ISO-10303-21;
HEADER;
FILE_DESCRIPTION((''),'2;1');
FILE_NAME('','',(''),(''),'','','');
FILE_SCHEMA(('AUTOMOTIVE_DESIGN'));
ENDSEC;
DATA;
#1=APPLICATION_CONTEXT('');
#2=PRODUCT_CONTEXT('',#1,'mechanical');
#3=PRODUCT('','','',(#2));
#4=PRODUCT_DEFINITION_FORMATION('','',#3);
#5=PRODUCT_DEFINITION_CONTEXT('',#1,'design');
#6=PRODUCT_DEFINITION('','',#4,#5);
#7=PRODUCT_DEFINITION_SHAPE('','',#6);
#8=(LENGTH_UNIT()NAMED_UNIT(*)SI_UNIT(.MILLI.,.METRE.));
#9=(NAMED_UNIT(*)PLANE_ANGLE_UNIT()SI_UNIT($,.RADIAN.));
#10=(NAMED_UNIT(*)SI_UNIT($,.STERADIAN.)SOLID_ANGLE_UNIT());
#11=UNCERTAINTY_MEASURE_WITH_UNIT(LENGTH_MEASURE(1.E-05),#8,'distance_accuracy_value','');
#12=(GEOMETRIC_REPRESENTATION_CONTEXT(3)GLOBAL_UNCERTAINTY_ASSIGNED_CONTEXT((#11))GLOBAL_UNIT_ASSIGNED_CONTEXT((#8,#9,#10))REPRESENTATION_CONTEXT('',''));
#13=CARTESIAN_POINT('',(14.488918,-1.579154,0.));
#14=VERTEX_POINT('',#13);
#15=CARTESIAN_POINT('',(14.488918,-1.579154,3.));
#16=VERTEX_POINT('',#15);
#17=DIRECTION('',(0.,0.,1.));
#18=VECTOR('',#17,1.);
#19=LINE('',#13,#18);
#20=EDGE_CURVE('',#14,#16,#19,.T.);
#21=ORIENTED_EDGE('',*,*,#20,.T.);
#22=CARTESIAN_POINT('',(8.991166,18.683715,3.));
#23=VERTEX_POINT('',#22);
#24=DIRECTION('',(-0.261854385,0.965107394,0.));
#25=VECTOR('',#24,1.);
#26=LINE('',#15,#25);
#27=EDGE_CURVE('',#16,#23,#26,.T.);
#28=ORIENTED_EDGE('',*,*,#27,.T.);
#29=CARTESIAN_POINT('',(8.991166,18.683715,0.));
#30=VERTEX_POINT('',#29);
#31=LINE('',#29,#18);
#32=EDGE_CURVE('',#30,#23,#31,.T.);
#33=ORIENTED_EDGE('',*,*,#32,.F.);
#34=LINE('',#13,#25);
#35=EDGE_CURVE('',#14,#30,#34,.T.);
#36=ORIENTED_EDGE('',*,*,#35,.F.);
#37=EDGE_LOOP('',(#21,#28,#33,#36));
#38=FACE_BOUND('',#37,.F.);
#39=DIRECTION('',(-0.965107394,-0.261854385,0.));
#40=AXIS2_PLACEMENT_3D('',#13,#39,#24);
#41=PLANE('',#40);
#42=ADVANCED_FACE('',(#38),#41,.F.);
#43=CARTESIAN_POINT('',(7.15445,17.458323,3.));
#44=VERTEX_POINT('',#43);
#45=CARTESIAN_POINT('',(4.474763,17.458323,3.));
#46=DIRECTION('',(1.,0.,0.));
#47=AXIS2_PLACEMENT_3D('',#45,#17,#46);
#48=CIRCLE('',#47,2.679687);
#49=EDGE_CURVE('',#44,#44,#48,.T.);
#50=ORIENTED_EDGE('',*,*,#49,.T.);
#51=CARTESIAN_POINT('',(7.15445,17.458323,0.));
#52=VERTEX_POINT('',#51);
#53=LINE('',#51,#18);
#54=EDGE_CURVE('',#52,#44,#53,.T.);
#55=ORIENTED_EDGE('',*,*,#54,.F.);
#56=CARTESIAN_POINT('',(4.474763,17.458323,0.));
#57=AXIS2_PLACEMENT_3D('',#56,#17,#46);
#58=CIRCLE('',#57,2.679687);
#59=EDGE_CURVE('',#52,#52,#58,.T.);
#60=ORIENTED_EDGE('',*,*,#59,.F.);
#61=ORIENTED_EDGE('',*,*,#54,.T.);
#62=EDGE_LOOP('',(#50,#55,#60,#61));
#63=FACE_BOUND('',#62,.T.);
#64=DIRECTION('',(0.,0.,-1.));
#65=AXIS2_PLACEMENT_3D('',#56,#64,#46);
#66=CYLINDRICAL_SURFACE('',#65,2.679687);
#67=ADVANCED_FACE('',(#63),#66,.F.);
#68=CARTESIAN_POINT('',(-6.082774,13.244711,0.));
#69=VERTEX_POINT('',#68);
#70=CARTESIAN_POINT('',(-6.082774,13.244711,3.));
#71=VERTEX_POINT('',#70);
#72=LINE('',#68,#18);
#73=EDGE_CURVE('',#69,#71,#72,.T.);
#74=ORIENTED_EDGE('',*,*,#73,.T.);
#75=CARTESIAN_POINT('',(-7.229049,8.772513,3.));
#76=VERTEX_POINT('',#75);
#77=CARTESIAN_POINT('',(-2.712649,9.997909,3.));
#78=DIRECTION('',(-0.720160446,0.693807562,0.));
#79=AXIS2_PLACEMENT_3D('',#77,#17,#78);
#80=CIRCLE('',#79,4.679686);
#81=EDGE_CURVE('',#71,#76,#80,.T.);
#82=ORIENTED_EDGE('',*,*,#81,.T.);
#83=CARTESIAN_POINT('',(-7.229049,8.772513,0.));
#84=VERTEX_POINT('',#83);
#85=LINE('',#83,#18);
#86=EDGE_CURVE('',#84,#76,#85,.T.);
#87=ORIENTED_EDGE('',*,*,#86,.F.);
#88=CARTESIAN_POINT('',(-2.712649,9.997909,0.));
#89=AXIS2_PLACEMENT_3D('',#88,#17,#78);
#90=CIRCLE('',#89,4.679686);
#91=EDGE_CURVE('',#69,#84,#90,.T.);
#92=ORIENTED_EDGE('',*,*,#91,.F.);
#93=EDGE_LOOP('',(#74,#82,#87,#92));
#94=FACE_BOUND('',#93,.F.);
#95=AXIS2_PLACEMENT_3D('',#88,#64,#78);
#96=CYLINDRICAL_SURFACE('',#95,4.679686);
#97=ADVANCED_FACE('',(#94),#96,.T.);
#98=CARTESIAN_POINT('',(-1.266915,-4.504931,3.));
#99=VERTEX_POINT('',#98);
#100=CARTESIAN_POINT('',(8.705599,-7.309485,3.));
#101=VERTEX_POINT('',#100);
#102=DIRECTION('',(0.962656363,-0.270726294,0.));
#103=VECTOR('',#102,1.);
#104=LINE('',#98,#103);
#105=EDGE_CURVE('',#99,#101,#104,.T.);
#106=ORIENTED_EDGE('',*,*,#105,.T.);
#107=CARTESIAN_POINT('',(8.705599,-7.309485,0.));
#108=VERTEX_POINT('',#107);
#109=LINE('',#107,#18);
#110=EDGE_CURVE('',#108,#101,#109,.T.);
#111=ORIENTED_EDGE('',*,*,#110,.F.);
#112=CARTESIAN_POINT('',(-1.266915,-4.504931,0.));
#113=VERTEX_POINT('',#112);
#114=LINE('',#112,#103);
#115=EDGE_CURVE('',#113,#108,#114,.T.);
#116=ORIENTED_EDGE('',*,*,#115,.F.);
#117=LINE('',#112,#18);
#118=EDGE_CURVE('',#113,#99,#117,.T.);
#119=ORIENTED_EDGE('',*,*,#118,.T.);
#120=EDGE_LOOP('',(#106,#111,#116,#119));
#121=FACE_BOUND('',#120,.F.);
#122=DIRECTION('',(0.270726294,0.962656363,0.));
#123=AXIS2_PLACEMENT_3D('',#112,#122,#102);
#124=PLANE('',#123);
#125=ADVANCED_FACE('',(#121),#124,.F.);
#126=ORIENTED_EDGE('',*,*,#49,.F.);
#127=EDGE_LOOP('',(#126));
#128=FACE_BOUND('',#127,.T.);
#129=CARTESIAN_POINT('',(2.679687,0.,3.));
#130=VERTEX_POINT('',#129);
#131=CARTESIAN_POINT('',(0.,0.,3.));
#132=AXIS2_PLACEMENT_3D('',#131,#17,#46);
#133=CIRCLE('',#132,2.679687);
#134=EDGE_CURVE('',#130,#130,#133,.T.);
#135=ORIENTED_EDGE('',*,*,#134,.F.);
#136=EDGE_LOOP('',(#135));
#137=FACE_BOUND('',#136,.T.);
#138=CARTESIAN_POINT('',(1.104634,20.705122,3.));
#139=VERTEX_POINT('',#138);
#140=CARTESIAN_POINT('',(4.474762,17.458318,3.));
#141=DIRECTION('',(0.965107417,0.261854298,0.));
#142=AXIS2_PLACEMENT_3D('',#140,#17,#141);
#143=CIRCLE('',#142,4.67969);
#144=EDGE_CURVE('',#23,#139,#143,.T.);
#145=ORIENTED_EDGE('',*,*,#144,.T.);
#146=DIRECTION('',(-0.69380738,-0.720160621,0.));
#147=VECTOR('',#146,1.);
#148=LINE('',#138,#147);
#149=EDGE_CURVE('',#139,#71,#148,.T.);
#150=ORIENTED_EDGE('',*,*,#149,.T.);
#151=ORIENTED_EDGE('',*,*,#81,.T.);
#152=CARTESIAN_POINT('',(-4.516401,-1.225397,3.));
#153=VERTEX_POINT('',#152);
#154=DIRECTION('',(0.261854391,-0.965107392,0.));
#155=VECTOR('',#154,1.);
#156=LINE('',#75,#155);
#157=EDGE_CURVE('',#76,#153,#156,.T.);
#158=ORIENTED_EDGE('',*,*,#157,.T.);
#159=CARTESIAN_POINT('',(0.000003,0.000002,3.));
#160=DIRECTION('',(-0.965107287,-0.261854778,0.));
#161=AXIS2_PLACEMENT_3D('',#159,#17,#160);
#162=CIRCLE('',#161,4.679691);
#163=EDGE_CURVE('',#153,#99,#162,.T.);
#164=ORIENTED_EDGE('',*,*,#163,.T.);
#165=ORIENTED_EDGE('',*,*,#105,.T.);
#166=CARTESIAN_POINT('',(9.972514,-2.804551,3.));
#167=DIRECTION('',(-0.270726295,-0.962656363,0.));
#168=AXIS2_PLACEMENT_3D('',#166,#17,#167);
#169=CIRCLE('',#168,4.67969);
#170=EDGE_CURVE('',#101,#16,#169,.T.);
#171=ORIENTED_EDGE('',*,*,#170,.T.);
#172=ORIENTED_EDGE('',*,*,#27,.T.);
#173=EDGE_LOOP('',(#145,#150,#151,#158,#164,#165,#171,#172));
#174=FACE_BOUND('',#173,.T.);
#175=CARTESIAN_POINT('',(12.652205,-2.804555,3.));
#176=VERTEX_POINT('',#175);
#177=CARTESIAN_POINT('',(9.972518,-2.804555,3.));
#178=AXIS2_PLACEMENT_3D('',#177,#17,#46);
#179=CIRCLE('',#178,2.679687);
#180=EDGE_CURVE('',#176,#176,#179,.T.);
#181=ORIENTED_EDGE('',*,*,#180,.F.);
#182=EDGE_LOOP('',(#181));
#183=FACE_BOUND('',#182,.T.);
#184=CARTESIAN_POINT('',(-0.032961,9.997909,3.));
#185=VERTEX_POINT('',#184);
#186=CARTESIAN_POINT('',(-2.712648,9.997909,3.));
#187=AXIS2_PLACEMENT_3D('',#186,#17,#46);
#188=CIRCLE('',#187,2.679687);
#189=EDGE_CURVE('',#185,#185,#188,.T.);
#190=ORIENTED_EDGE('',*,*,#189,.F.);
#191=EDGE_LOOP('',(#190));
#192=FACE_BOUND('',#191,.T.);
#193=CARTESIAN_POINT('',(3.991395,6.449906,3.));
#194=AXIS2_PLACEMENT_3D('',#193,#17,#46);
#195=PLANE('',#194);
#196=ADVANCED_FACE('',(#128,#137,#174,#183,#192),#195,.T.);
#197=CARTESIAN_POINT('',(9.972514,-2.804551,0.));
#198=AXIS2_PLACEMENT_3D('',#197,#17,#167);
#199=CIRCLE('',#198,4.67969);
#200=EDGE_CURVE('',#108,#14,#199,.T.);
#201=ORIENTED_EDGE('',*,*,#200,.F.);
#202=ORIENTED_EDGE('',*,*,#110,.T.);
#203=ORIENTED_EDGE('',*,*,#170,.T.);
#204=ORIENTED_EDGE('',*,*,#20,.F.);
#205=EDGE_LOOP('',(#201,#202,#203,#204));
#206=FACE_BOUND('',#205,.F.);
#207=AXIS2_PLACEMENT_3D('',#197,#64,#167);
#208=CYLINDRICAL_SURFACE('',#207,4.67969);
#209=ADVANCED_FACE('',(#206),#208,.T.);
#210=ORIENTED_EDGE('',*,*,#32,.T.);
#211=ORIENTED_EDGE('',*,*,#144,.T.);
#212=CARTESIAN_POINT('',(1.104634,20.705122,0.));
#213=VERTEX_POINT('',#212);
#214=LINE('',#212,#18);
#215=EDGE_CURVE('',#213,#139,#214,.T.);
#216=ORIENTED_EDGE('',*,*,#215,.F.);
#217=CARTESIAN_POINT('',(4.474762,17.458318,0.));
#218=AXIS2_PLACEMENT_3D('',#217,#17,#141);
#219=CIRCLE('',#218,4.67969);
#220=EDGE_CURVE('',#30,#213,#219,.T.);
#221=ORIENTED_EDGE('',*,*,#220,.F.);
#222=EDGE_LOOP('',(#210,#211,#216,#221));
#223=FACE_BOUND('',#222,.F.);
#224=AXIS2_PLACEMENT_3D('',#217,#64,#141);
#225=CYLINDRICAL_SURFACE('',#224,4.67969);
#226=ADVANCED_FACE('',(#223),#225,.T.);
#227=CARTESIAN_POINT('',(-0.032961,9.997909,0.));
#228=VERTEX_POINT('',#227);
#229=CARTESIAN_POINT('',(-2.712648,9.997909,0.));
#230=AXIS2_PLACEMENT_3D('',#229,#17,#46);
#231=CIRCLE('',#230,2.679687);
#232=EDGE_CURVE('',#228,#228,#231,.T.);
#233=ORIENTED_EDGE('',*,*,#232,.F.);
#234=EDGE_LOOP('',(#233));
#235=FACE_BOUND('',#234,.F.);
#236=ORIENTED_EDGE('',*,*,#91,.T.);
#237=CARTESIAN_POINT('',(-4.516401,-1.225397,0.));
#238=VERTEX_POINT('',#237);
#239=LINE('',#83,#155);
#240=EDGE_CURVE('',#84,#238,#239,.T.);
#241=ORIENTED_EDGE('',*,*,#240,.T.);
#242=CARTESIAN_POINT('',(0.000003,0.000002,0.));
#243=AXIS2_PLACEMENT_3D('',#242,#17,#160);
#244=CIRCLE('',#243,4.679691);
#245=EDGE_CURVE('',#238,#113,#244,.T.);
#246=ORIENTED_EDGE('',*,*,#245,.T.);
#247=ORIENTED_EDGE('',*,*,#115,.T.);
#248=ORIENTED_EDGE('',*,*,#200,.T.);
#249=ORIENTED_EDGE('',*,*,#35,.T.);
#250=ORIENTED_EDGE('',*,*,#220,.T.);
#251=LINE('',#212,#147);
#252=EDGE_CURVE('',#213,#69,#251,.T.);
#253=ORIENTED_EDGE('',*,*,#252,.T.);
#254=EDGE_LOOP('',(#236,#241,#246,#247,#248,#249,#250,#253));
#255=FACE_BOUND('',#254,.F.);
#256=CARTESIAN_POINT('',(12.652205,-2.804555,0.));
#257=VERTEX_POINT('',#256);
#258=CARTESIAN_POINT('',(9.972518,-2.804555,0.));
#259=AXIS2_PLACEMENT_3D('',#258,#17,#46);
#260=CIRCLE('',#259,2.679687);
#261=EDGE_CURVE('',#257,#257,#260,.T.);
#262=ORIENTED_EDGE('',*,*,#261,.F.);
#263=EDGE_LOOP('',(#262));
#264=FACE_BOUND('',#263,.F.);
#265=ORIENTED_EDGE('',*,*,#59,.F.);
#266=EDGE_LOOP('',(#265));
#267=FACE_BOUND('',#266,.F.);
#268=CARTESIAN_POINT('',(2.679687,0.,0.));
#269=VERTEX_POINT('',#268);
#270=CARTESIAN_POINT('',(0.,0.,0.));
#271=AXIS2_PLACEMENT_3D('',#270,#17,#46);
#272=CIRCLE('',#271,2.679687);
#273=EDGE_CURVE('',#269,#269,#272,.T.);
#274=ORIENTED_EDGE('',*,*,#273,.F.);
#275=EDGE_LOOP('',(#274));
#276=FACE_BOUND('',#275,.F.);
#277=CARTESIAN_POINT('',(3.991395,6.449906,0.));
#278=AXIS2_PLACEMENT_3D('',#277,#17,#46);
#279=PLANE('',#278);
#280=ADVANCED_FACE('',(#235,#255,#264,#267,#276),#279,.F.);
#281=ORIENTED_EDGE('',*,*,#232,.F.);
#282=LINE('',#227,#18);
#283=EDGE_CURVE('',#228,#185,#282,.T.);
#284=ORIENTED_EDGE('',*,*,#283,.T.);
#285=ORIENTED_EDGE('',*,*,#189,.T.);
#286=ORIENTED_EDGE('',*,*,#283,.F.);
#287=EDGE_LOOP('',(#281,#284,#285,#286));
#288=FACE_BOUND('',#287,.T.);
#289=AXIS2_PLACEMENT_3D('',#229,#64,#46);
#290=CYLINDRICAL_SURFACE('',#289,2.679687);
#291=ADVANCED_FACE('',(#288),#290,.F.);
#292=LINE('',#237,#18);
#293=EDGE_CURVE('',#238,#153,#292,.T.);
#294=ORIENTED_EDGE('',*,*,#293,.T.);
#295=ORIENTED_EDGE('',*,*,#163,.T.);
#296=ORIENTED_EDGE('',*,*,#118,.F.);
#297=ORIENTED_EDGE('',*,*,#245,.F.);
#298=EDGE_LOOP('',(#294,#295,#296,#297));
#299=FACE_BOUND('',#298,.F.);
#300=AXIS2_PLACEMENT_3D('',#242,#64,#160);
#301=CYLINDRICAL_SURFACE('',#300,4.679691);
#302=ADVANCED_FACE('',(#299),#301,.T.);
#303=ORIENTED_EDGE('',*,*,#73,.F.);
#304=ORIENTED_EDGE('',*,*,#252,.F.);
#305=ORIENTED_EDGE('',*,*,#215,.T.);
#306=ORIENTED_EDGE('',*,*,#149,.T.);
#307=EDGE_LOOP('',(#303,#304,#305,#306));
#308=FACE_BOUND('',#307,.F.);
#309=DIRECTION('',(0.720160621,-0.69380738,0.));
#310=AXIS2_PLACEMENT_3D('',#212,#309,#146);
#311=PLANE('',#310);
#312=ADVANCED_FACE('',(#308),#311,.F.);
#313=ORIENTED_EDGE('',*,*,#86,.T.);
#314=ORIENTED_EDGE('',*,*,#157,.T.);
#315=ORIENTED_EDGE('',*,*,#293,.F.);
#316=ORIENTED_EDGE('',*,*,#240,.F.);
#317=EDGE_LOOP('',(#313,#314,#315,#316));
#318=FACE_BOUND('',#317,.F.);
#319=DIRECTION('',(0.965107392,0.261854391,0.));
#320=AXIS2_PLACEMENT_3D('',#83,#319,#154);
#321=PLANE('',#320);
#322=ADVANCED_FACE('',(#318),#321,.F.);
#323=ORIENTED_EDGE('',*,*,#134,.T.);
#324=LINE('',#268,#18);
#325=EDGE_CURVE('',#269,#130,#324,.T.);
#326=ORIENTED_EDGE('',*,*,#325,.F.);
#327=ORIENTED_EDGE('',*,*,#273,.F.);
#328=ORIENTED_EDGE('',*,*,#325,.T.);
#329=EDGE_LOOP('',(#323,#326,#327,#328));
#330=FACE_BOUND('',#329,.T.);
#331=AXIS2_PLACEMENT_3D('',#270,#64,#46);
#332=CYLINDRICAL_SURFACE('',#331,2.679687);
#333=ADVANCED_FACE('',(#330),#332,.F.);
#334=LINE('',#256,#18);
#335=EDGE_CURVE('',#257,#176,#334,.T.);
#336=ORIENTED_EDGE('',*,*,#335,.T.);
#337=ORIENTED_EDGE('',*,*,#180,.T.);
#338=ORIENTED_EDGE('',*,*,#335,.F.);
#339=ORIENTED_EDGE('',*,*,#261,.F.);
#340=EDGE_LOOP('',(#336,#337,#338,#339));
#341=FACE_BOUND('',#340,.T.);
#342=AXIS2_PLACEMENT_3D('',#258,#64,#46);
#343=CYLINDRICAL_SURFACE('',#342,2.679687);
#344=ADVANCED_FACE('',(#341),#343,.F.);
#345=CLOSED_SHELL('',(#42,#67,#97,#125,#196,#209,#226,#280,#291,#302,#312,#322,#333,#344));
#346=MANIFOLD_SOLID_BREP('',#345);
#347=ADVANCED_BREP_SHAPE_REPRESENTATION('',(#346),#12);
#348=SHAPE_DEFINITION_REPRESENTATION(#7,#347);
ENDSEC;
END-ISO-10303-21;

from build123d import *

# Parameters (mm, degrees)
F1_R     = 2.679687
F2_DEPTH = 3


with BuildPart() as f2:
    # F1 (on Top) → F2 (new body)
    with BuildSketch(Plane.XY):
        with BuildLine():
            Line((1.104634, 20.705122), (-6.082774, 13.244711))
            ThreePointArc((-6.082774, 13.244711), (-7.2458, 11.159807), (-7.229049, 8.772513))
            Line((-7.229049, 8.772513), (-4.516401, -1.225397))
            ThreePointArc((-4.516401, -1.225397), (-3.324232, -3.293775), (-1.266915, -4.504931))
            Line((-1.266915, -4.504931), (8.705599, -7.309485))
            ThreePointArc((8.705599, -7.309485), (13.266291, -6.128786), (14.488918, -1.579154))
            Line((14.488918, -1.579154), (8.991166, 18.683715))
            ThreePointArc((8.991166, 18.683715), (5.63666, 21.991473), (1.104634, 20.705122))
        make_face()
        Circle(F1_R, mode=Mode.SUBTRACT)
        with Locations((9.972518, -2.804555)):
            Circle(F1_R, mode=Mode.SUBTRACT)
        with Locations((-2.712648, 9.997909)):
            Circle(F1_R, mode=Mode.SUBTRACT)
        with Locations((4.474763, 17.458323)):
            Circle(F1_R, mode=Mode.SUBTRACT)
    extrude(amount=F2_DEPTH)


solid = f2.part
